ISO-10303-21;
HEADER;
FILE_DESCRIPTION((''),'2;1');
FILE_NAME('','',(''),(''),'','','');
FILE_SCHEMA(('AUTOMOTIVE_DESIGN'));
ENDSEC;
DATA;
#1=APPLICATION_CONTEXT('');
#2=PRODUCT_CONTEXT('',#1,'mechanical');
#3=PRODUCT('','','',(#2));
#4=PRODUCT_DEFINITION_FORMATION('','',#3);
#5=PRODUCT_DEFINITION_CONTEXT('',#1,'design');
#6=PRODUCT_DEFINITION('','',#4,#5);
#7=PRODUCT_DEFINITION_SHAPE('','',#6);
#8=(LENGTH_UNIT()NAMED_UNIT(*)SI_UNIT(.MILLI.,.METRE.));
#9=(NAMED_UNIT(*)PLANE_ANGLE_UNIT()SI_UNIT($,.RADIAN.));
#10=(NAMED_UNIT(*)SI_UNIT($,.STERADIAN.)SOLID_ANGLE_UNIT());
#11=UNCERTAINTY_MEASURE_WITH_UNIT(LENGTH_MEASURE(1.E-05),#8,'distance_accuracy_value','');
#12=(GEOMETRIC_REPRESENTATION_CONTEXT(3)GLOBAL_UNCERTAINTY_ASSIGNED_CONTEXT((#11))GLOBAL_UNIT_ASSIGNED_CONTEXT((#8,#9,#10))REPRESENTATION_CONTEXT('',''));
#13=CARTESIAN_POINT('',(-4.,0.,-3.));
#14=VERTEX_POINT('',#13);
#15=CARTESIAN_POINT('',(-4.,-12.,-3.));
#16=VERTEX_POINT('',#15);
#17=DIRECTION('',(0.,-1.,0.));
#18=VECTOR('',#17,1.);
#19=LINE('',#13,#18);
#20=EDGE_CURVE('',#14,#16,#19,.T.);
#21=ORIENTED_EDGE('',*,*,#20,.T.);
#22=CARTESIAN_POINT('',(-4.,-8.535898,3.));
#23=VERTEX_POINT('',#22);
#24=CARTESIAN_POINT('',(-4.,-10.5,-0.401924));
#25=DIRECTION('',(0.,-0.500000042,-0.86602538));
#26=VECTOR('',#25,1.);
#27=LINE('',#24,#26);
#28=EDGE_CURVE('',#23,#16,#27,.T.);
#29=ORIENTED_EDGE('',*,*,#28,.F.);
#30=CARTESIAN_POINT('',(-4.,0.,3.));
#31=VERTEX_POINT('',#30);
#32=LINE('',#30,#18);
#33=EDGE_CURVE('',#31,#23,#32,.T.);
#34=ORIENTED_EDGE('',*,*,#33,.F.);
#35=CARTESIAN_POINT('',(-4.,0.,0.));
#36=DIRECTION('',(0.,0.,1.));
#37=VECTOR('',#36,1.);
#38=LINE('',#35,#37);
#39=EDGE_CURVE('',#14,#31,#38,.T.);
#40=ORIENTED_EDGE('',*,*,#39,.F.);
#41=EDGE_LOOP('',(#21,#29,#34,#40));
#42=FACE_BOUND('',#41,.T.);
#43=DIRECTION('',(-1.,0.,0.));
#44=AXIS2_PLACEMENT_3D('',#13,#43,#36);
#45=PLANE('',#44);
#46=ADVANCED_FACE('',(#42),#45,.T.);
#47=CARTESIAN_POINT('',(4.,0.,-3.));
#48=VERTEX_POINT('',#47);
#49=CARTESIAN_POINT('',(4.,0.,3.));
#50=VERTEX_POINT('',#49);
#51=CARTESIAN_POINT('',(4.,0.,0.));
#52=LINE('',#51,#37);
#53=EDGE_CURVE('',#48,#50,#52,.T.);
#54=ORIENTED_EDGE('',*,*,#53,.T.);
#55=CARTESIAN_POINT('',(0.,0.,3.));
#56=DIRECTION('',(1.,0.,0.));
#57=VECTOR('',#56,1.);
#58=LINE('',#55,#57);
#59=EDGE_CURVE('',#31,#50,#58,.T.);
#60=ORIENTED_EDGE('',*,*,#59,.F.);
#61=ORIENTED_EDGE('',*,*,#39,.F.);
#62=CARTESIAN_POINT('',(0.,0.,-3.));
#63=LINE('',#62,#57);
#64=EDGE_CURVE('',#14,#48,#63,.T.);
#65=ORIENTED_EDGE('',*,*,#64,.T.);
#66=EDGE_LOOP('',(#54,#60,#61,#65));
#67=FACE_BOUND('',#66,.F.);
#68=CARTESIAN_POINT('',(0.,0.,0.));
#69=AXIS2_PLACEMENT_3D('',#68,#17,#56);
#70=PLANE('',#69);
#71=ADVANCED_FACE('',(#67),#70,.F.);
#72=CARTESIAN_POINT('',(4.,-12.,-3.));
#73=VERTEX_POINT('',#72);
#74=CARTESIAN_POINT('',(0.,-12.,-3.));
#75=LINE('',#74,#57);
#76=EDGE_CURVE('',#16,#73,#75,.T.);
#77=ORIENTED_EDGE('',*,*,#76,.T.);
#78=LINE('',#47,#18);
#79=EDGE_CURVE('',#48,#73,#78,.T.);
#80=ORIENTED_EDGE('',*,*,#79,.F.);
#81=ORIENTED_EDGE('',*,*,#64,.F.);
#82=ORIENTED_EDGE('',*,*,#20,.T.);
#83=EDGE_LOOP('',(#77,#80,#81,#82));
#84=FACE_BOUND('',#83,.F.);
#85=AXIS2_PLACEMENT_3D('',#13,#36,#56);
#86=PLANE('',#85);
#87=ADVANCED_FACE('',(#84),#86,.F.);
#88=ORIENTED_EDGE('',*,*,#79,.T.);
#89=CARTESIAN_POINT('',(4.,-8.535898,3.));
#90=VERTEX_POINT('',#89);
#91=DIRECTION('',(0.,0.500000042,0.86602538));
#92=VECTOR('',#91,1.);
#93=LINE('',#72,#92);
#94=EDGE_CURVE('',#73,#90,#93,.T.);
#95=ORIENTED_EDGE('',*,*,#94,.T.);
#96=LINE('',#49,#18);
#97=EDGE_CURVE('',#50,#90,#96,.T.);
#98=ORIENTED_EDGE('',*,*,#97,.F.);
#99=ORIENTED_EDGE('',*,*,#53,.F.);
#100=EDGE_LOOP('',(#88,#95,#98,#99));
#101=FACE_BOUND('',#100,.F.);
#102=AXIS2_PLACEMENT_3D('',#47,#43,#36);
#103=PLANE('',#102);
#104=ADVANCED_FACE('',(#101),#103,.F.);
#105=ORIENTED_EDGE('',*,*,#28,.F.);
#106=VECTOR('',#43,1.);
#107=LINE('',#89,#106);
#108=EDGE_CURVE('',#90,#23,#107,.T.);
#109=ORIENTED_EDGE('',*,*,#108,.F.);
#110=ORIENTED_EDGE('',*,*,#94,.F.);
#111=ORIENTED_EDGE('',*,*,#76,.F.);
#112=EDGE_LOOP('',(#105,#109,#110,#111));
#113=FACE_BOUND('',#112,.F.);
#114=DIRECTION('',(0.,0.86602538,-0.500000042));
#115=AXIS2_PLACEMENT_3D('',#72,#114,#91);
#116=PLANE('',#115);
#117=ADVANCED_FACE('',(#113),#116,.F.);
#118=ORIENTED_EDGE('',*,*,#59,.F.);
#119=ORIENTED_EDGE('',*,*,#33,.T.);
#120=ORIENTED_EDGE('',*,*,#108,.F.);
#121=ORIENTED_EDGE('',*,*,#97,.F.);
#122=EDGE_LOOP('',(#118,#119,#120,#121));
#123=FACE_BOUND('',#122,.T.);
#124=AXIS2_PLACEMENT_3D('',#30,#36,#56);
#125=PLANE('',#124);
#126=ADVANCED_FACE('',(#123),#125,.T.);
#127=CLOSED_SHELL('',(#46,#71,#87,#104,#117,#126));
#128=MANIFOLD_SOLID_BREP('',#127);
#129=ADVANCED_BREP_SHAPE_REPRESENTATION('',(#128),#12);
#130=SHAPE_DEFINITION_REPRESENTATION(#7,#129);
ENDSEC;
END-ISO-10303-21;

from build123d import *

# Parameters (mm, degrees)
F0_W     = 8
F0_H     = 6
F1_DEPTH = 12
F3_DEPTH = 8.001


with BuildPart() as f1:
    # F0 (on Front) → F1 (new body)
    with BuildSketch(Plane.XZ):
        Rectangle(F0_W, F0_H)
    extrude(amount=F1_DEPTH)

    # F2 (on face) → F3 (cut, through all)
    with BuildSketch(Plane.YZ.offset(4)):
        Polygon((-12, 3), (-12, -3), (-8.535898, 3), align=None)
    extrude(amount=-F3_DEPTH, mode=Mode.SUBTRACT)


solid = f1.part
